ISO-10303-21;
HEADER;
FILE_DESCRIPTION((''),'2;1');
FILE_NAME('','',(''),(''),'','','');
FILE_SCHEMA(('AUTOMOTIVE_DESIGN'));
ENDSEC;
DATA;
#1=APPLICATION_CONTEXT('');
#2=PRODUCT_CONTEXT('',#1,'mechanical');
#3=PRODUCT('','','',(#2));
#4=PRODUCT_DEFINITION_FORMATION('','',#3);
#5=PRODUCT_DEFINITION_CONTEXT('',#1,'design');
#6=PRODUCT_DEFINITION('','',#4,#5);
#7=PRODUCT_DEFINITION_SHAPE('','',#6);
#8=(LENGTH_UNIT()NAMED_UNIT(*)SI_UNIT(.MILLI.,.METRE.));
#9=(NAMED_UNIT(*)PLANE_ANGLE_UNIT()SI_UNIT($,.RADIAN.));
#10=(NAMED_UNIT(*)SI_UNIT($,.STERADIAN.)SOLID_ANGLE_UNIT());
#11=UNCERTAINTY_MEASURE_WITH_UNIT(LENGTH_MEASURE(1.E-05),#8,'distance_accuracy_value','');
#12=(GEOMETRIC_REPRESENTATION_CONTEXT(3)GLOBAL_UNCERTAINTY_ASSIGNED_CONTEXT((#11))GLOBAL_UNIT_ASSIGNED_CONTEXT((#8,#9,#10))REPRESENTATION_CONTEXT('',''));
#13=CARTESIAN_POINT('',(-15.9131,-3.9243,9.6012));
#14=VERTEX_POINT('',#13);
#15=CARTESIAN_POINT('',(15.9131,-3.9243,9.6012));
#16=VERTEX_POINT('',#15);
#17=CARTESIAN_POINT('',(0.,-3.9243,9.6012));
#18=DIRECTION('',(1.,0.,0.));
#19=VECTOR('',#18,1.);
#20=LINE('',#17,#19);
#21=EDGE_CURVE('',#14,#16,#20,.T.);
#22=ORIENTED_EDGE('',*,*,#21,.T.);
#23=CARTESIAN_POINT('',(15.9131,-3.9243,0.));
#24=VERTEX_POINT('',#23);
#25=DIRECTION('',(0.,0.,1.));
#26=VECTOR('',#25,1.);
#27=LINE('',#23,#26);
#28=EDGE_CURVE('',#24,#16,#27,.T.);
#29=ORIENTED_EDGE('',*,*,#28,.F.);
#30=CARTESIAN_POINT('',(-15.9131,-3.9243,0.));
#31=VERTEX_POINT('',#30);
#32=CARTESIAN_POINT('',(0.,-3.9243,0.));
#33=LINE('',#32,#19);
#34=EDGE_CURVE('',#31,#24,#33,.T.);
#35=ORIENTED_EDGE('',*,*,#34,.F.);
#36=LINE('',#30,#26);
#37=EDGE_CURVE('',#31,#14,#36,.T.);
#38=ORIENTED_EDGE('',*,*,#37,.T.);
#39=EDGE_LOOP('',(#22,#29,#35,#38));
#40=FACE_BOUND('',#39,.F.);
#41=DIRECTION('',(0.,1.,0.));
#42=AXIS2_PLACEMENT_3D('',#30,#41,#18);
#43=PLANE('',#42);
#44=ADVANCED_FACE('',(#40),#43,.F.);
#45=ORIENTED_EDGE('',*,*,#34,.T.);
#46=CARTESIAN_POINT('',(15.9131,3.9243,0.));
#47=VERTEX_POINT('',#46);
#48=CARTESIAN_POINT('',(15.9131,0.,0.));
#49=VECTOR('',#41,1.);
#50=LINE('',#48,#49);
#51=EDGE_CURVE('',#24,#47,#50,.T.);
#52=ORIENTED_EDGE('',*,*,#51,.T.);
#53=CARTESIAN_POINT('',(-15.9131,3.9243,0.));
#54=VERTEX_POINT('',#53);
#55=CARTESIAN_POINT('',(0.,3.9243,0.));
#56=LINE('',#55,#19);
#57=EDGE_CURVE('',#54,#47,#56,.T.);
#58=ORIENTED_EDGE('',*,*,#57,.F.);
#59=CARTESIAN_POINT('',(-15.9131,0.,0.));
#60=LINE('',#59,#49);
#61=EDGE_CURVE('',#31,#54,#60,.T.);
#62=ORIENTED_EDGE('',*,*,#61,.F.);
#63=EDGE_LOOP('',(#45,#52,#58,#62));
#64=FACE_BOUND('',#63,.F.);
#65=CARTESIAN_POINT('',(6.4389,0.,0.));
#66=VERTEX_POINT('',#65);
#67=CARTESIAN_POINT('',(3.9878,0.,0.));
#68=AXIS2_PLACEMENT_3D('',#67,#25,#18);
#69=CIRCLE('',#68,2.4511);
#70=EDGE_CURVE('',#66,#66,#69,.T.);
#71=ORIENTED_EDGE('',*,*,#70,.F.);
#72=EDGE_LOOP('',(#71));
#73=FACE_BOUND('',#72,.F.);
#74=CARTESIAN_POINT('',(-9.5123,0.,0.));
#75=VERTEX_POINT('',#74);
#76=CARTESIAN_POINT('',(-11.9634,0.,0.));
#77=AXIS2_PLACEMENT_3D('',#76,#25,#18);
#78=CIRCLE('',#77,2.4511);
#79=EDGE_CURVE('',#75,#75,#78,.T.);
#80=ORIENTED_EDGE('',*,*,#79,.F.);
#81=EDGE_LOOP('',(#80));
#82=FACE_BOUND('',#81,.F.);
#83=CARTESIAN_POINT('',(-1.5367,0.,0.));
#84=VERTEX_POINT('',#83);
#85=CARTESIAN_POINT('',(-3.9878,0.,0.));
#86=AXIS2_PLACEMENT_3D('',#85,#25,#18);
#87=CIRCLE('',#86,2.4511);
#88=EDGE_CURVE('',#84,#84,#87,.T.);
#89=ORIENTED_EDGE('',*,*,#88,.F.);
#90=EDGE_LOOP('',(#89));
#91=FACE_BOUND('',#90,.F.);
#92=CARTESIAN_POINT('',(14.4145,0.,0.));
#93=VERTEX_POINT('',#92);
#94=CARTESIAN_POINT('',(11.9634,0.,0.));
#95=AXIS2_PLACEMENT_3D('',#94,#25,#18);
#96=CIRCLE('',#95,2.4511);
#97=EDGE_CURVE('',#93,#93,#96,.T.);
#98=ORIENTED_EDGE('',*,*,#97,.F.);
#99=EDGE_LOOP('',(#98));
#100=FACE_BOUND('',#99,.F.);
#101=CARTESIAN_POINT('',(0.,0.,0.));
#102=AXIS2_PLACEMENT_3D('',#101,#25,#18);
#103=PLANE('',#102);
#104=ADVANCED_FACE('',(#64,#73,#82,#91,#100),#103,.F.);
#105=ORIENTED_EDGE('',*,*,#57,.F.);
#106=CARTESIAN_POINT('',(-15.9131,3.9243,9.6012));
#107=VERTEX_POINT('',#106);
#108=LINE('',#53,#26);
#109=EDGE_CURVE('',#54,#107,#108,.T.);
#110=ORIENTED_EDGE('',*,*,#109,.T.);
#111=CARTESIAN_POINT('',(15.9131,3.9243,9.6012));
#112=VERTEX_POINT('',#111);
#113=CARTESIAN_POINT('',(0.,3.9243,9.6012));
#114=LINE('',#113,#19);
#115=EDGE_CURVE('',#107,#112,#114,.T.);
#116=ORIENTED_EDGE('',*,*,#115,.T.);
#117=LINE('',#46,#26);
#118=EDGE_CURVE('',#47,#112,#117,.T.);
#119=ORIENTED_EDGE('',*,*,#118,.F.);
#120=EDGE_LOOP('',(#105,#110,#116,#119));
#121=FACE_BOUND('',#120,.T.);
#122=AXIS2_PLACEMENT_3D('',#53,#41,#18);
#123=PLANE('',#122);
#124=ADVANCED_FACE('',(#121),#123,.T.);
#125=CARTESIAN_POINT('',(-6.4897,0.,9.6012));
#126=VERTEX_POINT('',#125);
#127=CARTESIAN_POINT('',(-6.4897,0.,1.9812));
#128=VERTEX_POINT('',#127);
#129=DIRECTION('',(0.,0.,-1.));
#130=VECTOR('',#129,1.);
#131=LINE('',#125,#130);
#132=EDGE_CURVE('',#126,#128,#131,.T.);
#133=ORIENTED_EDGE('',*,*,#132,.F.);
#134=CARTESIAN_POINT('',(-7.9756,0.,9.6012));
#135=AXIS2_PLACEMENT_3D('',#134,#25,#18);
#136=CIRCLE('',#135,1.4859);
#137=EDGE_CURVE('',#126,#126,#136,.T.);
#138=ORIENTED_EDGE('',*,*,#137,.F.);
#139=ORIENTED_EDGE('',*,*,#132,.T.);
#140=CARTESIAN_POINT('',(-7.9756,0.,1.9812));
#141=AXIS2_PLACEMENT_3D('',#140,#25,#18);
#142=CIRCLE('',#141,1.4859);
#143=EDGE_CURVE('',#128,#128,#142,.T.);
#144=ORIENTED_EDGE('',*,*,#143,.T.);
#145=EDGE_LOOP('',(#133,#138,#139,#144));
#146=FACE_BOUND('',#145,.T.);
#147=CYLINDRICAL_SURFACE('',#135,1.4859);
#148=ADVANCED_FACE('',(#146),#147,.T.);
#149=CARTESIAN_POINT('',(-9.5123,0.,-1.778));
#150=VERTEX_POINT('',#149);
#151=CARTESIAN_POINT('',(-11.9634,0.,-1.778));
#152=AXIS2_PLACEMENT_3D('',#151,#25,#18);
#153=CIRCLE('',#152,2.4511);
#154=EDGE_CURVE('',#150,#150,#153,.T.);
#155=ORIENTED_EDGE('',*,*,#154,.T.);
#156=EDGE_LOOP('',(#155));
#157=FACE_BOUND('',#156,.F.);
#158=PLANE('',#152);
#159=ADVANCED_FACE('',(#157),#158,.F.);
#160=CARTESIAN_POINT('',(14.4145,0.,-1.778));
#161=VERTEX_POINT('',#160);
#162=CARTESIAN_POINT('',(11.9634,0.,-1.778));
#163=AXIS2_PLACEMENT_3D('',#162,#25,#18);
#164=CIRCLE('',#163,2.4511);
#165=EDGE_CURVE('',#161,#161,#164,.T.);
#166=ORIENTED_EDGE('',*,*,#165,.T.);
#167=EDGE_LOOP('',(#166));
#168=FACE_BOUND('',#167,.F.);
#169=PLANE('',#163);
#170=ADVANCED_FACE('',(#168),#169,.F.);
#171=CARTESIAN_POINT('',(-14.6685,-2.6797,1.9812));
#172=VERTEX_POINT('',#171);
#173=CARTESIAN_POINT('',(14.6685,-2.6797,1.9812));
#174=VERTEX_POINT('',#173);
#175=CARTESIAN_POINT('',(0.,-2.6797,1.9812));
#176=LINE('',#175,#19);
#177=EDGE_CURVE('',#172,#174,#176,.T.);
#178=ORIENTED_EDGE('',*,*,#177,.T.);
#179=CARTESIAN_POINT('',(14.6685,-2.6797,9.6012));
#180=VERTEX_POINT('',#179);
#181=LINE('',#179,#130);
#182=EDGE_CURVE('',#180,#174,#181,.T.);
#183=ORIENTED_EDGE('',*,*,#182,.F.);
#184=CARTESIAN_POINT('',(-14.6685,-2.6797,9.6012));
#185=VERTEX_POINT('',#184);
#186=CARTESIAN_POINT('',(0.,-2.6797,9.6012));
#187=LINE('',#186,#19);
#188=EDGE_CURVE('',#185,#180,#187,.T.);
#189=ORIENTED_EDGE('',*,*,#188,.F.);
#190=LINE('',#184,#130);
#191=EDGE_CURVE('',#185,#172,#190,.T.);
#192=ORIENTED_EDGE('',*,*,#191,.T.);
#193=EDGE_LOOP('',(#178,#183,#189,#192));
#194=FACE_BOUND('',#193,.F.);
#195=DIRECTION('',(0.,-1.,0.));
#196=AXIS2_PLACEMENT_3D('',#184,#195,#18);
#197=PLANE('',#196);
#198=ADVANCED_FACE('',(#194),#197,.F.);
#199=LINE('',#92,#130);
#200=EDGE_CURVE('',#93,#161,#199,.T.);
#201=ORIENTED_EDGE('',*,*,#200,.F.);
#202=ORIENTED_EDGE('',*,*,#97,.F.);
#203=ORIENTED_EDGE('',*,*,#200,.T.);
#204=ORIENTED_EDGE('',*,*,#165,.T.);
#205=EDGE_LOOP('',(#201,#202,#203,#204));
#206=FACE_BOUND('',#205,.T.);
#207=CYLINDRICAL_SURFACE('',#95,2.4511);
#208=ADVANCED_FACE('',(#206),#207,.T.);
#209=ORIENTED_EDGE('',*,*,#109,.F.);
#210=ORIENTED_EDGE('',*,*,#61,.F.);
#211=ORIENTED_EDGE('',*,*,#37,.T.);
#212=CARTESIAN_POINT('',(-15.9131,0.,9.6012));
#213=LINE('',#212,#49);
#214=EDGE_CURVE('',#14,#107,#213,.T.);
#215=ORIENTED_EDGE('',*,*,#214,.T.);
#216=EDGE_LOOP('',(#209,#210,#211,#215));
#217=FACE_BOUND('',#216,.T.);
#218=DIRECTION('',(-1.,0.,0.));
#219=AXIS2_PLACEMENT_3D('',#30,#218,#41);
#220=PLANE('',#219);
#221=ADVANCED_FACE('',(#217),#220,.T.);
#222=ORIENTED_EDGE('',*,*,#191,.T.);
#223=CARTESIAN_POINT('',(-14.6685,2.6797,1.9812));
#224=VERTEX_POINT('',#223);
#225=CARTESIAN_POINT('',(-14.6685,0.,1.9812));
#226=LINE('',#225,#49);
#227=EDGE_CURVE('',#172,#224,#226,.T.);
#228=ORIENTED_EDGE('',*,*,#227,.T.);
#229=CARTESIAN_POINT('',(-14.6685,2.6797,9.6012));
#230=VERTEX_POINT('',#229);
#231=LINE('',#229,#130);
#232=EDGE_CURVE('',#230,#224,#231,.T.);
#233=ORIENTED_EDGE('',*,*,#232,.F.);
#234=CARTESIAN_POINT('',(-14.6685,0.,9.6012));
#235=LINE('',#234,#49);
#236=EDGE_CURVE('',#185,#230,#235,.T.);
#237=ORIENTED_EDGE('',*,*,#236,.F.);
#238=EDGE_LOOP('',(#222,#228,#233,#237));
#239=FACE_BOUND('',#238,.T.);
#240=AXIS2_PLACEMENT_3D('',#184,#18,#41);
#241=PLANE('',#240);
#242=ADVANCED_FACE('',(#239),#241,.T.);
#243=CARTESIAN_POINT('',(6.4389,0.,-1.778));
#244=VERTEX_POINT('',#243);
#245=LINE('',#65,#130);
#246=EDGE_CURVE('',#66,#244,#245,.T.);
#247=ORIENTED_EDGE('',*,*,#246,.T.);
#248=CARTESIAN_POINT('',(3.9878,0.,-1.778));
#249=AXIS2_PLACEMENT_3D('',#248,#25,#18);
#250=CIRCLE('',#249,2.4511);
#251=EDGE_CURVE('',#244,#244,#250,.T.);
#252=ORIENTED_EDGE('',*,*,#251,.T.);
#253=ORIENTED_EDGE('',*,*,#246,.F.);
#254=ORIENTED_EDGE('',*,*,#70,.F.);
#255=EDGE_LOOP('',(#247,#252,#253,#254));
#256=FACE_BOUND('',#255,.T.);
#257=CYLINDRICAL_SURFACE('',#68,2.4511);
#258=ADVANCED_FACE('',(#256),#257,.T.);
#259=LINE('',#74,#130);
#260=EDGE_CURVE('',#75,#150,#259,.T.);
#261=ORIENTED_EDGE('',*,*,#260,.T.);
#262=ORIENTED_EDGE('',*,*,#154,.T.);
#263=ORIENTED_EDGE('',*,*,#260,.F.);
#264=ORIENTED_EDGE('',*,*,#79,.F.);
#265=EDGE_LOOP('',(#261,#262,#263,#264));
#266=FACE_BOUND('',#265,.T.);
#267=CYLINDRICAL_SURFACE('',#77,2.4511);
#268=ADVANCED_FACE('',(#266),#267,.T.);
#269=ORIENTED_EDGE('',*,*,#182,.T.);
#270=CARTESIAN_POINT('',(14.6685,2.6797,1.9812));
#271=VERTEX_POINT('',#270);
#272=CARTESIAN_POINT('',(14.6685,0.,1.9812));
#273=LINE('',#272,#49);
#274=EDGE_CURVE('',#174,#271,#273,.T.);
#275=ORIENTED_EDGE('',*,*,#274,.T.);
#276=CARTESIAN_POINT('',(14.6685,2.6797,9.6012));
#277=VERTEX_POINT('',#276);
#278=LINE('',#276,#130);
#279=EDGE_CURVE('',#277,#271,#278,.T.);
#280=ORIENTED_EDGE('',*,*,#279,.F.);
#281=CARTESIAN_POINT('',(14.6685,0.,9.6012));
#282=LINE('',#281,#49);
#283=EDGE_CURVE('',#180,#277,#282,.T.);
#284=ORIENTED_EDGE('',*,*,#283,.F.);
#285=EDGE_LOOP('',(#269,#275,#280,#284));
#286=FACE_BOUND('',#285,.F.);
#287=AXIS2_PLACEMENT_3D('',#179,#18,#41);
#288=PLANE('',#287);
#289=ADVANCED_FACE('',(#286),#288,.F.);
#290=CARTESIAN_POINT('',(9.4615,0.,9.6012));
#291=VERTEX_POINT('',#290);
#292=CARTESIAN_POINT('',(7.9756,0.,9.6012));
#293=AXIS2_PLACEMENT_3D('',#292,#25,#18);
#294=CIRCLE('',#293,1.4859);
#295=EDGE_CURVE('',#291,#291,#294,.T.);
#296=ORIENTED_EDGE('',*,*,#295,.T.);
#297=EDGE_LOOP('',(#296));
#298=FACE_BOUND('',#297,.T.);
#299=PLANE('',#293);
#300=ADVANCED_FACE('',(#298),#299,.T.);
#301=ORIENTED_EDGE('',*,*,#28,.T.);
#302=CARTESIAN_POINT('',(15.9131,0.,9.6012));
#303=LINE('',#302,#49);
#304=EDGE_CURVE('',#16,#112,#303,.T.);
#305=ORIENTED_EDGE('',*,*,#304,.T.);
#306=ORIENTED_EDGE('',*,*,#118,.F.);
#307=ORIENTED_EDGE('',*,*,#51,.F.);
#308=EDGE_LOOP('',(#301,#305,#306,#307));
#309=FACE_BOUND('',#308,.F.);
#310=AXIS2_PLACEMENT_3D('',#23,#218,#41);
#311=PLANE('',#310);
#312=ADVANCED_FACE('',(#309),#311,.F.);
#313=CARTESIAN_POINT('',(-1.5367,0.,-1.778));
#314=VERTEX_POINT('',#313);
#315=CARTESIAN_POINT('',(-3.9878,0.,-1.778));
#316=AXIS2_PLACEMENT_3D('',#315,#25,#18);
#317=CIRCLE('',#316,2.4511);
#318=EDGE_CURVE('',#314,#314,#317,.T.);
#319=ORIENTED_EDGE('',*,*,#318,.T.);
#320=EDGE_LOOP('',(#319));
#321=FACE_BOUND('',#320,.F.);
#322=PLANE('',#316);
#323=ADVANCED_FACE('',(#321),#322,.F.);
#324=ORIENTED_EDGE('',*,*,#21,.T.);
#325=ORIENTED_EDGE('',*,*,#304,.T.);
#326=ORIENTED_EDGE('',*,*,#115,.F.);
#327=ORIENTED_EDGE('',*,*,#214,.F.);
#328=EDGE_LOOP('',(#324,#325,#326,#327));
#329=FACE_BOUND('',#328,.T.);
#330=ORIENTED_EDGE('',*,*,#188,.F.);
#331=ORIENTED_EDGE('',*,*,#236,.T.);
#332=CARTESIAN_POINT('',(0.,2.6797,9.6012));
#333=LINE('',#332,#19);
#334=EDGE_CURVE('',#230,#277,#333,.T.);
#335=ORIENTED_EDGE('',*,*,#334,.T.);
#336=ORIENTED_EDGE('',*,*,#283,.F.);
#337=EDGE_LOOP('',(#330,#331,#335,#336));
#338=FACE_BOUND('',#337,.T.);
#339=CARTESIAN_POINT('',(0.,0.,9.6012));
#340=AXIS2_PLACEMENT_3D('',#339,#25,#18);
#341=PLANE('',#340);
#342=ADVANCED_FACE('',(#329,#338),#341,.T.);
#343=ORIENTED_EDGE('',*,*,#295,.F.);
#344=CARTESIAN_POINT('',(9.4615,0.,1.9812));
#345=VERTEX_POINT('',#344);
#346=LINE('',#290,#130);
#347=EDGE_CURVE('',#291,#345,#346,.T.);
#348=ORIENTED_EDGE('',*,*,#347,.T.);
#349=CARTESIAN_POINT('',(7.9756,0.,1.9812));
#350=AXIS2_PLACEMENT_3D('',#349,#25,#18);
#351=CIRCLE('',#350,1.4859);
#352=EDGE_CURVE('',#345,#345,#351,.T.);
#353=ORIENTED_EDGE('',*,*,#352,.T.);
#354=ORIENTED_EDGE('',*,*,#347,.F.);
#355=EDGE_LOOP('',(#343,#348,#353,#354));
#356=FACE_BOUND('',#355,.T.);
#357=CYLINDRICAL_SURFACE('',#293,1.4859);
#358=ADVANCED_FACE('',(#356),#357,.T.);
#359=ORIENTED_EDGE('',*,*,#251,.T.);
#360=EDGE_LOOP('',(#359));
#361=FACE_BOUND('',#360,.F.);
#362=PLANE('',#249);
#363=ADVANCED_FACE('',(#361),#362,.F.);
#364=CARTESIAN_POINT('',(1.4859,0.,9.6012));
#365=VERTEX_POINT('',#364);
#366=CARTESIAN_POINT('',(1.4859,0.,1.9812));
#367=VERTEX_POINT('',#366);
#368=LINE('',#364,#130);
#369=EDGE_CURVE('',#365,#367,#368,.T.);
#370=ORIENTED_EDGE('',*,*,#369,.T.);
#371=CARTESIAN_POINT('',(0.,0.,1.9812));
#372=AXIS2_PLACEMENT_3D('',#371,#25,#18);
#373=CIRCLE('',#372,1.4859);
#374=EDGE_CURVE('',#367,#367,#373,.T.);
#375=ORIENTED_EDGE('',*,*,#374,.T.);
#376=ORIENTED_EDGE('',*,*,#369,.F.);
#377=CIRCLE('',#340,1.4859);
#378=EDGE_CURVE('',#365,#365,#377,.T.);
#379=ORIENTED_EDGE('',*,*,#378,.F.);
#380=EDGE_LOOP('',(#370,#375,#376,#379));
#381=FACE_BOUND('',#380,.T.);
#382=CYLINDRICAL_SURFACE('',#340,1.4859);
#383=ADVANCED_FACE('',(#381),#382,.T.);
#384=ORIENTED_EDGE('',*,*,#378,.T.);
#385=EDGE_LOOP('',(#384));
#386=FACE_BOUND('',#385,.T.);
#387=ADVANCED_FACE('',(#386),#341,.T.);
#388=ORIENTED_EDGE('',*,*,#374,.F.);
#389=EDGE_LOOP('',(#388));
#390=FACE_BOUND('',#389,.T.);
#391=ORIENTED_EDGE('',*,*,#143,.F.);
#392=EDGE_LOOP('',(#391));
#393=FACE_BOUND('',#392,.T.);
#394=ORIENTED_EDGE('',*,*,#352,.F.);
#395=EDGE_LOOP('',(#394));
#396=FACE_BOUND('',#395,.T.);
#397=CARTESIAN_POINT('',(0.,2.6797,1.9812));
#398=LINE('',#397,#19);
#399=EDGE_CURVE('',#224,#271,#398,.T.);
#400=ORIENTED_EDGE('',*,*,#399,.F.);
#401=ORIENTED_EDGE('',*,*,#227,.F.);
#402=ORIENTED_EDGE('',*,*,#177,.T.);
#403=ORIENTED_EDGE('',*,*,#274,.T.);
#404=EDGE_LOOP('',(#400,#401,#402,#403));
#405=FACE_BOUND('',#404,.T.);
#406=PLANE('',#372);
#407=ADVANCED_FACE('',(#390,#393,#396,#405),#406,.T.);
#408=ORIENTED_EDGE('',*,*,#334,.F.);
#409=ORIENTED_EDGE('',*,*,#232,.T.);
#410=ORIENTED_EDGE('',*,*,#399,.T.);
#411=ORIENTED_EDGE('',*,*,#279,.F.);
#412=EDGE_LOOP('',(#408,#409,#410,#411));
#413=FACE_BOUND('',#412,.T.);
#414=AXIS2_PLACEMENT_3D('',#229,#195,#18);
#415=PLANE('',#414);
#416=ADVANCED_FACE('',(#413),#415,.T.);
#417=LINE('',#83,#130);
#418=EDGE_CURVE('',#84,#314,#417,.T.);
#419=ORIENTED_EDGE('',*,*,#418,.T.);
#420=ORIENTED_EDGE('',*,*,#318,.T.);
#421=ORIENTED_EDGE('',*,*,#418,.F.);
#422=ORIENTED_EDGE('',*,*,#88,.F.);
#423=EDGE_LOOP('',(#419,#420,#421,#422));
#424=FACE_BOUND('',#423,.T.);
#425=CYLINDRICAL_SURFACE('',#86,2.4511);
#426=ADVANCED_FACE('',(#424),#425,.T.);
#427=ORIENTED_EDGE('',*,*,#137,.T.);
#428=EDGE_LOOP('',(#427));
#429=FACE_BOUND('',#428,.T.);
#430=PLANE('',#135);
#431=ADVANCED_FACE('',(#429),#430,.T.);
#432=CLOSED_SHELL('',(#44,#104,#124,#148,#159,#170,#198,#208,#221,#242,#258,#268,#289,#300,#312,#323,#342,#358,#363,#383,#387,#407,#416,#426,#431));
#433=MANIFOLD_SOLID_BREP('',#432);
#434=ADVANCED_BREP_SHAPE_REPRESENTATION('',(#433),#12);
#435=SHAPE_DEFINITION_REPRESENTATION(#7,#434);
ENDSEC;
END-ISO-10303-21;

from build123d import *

# Parameters (mm, degrees)
F0_W     = 31.8262
F0_H     = 7.8486
F2_DEPTH = 9.6012
F1_R     = 2.4511
F3_DEPTH = 1.778
F4_W     = 29.337
F4_H     = 5.3594
F6_DEPTH = 7.62
F5_R     = 1.4859
F7_DEPTH = 8.128


with BuildPart() as f2:
    # F0 (on Top) → F2 (new body)
    with BuildSketch(Plane.XY):
        Rectangle(F0_W, F0_H)
    extrude(amount=F2_DEPTH)

    # F1 (on face) → F3 (join)
    with BuildSketch(Plane.XY):
        with Locations((-11.9634, 0)):
            Circle(F1_R)
        with Locations((-3.9878, 0)):
            Circle(F1_R)
        with Locations((3.9878, 0)):
            Circle(F1_R)
        with Locations((11.9634, 0)):
            Circle(F1_R)
    extrude(amount=-F3_DEPTH)

    # F4 (on face) → F6 (cut)
    with BuildSketch(Plane.XY.offset(9.6012)):
        Rectangle(F4_W, F4_H)
    extrude(amount=-F6_DEPTH, mode=Mode.SUBTRACT)

    # F5 (on face) → F7 (join)
    with BuildSketch(Plane.XY.offset(9.6012)):
        with Locations((-7.9756, 0)):
            Circle(F5_R)
        Circle(F5_R)
        with Locations((7.9756, 0)):
            Circle(F5_R)
    extrude(amount=-F7_DEPTH)


solid = f2.part
